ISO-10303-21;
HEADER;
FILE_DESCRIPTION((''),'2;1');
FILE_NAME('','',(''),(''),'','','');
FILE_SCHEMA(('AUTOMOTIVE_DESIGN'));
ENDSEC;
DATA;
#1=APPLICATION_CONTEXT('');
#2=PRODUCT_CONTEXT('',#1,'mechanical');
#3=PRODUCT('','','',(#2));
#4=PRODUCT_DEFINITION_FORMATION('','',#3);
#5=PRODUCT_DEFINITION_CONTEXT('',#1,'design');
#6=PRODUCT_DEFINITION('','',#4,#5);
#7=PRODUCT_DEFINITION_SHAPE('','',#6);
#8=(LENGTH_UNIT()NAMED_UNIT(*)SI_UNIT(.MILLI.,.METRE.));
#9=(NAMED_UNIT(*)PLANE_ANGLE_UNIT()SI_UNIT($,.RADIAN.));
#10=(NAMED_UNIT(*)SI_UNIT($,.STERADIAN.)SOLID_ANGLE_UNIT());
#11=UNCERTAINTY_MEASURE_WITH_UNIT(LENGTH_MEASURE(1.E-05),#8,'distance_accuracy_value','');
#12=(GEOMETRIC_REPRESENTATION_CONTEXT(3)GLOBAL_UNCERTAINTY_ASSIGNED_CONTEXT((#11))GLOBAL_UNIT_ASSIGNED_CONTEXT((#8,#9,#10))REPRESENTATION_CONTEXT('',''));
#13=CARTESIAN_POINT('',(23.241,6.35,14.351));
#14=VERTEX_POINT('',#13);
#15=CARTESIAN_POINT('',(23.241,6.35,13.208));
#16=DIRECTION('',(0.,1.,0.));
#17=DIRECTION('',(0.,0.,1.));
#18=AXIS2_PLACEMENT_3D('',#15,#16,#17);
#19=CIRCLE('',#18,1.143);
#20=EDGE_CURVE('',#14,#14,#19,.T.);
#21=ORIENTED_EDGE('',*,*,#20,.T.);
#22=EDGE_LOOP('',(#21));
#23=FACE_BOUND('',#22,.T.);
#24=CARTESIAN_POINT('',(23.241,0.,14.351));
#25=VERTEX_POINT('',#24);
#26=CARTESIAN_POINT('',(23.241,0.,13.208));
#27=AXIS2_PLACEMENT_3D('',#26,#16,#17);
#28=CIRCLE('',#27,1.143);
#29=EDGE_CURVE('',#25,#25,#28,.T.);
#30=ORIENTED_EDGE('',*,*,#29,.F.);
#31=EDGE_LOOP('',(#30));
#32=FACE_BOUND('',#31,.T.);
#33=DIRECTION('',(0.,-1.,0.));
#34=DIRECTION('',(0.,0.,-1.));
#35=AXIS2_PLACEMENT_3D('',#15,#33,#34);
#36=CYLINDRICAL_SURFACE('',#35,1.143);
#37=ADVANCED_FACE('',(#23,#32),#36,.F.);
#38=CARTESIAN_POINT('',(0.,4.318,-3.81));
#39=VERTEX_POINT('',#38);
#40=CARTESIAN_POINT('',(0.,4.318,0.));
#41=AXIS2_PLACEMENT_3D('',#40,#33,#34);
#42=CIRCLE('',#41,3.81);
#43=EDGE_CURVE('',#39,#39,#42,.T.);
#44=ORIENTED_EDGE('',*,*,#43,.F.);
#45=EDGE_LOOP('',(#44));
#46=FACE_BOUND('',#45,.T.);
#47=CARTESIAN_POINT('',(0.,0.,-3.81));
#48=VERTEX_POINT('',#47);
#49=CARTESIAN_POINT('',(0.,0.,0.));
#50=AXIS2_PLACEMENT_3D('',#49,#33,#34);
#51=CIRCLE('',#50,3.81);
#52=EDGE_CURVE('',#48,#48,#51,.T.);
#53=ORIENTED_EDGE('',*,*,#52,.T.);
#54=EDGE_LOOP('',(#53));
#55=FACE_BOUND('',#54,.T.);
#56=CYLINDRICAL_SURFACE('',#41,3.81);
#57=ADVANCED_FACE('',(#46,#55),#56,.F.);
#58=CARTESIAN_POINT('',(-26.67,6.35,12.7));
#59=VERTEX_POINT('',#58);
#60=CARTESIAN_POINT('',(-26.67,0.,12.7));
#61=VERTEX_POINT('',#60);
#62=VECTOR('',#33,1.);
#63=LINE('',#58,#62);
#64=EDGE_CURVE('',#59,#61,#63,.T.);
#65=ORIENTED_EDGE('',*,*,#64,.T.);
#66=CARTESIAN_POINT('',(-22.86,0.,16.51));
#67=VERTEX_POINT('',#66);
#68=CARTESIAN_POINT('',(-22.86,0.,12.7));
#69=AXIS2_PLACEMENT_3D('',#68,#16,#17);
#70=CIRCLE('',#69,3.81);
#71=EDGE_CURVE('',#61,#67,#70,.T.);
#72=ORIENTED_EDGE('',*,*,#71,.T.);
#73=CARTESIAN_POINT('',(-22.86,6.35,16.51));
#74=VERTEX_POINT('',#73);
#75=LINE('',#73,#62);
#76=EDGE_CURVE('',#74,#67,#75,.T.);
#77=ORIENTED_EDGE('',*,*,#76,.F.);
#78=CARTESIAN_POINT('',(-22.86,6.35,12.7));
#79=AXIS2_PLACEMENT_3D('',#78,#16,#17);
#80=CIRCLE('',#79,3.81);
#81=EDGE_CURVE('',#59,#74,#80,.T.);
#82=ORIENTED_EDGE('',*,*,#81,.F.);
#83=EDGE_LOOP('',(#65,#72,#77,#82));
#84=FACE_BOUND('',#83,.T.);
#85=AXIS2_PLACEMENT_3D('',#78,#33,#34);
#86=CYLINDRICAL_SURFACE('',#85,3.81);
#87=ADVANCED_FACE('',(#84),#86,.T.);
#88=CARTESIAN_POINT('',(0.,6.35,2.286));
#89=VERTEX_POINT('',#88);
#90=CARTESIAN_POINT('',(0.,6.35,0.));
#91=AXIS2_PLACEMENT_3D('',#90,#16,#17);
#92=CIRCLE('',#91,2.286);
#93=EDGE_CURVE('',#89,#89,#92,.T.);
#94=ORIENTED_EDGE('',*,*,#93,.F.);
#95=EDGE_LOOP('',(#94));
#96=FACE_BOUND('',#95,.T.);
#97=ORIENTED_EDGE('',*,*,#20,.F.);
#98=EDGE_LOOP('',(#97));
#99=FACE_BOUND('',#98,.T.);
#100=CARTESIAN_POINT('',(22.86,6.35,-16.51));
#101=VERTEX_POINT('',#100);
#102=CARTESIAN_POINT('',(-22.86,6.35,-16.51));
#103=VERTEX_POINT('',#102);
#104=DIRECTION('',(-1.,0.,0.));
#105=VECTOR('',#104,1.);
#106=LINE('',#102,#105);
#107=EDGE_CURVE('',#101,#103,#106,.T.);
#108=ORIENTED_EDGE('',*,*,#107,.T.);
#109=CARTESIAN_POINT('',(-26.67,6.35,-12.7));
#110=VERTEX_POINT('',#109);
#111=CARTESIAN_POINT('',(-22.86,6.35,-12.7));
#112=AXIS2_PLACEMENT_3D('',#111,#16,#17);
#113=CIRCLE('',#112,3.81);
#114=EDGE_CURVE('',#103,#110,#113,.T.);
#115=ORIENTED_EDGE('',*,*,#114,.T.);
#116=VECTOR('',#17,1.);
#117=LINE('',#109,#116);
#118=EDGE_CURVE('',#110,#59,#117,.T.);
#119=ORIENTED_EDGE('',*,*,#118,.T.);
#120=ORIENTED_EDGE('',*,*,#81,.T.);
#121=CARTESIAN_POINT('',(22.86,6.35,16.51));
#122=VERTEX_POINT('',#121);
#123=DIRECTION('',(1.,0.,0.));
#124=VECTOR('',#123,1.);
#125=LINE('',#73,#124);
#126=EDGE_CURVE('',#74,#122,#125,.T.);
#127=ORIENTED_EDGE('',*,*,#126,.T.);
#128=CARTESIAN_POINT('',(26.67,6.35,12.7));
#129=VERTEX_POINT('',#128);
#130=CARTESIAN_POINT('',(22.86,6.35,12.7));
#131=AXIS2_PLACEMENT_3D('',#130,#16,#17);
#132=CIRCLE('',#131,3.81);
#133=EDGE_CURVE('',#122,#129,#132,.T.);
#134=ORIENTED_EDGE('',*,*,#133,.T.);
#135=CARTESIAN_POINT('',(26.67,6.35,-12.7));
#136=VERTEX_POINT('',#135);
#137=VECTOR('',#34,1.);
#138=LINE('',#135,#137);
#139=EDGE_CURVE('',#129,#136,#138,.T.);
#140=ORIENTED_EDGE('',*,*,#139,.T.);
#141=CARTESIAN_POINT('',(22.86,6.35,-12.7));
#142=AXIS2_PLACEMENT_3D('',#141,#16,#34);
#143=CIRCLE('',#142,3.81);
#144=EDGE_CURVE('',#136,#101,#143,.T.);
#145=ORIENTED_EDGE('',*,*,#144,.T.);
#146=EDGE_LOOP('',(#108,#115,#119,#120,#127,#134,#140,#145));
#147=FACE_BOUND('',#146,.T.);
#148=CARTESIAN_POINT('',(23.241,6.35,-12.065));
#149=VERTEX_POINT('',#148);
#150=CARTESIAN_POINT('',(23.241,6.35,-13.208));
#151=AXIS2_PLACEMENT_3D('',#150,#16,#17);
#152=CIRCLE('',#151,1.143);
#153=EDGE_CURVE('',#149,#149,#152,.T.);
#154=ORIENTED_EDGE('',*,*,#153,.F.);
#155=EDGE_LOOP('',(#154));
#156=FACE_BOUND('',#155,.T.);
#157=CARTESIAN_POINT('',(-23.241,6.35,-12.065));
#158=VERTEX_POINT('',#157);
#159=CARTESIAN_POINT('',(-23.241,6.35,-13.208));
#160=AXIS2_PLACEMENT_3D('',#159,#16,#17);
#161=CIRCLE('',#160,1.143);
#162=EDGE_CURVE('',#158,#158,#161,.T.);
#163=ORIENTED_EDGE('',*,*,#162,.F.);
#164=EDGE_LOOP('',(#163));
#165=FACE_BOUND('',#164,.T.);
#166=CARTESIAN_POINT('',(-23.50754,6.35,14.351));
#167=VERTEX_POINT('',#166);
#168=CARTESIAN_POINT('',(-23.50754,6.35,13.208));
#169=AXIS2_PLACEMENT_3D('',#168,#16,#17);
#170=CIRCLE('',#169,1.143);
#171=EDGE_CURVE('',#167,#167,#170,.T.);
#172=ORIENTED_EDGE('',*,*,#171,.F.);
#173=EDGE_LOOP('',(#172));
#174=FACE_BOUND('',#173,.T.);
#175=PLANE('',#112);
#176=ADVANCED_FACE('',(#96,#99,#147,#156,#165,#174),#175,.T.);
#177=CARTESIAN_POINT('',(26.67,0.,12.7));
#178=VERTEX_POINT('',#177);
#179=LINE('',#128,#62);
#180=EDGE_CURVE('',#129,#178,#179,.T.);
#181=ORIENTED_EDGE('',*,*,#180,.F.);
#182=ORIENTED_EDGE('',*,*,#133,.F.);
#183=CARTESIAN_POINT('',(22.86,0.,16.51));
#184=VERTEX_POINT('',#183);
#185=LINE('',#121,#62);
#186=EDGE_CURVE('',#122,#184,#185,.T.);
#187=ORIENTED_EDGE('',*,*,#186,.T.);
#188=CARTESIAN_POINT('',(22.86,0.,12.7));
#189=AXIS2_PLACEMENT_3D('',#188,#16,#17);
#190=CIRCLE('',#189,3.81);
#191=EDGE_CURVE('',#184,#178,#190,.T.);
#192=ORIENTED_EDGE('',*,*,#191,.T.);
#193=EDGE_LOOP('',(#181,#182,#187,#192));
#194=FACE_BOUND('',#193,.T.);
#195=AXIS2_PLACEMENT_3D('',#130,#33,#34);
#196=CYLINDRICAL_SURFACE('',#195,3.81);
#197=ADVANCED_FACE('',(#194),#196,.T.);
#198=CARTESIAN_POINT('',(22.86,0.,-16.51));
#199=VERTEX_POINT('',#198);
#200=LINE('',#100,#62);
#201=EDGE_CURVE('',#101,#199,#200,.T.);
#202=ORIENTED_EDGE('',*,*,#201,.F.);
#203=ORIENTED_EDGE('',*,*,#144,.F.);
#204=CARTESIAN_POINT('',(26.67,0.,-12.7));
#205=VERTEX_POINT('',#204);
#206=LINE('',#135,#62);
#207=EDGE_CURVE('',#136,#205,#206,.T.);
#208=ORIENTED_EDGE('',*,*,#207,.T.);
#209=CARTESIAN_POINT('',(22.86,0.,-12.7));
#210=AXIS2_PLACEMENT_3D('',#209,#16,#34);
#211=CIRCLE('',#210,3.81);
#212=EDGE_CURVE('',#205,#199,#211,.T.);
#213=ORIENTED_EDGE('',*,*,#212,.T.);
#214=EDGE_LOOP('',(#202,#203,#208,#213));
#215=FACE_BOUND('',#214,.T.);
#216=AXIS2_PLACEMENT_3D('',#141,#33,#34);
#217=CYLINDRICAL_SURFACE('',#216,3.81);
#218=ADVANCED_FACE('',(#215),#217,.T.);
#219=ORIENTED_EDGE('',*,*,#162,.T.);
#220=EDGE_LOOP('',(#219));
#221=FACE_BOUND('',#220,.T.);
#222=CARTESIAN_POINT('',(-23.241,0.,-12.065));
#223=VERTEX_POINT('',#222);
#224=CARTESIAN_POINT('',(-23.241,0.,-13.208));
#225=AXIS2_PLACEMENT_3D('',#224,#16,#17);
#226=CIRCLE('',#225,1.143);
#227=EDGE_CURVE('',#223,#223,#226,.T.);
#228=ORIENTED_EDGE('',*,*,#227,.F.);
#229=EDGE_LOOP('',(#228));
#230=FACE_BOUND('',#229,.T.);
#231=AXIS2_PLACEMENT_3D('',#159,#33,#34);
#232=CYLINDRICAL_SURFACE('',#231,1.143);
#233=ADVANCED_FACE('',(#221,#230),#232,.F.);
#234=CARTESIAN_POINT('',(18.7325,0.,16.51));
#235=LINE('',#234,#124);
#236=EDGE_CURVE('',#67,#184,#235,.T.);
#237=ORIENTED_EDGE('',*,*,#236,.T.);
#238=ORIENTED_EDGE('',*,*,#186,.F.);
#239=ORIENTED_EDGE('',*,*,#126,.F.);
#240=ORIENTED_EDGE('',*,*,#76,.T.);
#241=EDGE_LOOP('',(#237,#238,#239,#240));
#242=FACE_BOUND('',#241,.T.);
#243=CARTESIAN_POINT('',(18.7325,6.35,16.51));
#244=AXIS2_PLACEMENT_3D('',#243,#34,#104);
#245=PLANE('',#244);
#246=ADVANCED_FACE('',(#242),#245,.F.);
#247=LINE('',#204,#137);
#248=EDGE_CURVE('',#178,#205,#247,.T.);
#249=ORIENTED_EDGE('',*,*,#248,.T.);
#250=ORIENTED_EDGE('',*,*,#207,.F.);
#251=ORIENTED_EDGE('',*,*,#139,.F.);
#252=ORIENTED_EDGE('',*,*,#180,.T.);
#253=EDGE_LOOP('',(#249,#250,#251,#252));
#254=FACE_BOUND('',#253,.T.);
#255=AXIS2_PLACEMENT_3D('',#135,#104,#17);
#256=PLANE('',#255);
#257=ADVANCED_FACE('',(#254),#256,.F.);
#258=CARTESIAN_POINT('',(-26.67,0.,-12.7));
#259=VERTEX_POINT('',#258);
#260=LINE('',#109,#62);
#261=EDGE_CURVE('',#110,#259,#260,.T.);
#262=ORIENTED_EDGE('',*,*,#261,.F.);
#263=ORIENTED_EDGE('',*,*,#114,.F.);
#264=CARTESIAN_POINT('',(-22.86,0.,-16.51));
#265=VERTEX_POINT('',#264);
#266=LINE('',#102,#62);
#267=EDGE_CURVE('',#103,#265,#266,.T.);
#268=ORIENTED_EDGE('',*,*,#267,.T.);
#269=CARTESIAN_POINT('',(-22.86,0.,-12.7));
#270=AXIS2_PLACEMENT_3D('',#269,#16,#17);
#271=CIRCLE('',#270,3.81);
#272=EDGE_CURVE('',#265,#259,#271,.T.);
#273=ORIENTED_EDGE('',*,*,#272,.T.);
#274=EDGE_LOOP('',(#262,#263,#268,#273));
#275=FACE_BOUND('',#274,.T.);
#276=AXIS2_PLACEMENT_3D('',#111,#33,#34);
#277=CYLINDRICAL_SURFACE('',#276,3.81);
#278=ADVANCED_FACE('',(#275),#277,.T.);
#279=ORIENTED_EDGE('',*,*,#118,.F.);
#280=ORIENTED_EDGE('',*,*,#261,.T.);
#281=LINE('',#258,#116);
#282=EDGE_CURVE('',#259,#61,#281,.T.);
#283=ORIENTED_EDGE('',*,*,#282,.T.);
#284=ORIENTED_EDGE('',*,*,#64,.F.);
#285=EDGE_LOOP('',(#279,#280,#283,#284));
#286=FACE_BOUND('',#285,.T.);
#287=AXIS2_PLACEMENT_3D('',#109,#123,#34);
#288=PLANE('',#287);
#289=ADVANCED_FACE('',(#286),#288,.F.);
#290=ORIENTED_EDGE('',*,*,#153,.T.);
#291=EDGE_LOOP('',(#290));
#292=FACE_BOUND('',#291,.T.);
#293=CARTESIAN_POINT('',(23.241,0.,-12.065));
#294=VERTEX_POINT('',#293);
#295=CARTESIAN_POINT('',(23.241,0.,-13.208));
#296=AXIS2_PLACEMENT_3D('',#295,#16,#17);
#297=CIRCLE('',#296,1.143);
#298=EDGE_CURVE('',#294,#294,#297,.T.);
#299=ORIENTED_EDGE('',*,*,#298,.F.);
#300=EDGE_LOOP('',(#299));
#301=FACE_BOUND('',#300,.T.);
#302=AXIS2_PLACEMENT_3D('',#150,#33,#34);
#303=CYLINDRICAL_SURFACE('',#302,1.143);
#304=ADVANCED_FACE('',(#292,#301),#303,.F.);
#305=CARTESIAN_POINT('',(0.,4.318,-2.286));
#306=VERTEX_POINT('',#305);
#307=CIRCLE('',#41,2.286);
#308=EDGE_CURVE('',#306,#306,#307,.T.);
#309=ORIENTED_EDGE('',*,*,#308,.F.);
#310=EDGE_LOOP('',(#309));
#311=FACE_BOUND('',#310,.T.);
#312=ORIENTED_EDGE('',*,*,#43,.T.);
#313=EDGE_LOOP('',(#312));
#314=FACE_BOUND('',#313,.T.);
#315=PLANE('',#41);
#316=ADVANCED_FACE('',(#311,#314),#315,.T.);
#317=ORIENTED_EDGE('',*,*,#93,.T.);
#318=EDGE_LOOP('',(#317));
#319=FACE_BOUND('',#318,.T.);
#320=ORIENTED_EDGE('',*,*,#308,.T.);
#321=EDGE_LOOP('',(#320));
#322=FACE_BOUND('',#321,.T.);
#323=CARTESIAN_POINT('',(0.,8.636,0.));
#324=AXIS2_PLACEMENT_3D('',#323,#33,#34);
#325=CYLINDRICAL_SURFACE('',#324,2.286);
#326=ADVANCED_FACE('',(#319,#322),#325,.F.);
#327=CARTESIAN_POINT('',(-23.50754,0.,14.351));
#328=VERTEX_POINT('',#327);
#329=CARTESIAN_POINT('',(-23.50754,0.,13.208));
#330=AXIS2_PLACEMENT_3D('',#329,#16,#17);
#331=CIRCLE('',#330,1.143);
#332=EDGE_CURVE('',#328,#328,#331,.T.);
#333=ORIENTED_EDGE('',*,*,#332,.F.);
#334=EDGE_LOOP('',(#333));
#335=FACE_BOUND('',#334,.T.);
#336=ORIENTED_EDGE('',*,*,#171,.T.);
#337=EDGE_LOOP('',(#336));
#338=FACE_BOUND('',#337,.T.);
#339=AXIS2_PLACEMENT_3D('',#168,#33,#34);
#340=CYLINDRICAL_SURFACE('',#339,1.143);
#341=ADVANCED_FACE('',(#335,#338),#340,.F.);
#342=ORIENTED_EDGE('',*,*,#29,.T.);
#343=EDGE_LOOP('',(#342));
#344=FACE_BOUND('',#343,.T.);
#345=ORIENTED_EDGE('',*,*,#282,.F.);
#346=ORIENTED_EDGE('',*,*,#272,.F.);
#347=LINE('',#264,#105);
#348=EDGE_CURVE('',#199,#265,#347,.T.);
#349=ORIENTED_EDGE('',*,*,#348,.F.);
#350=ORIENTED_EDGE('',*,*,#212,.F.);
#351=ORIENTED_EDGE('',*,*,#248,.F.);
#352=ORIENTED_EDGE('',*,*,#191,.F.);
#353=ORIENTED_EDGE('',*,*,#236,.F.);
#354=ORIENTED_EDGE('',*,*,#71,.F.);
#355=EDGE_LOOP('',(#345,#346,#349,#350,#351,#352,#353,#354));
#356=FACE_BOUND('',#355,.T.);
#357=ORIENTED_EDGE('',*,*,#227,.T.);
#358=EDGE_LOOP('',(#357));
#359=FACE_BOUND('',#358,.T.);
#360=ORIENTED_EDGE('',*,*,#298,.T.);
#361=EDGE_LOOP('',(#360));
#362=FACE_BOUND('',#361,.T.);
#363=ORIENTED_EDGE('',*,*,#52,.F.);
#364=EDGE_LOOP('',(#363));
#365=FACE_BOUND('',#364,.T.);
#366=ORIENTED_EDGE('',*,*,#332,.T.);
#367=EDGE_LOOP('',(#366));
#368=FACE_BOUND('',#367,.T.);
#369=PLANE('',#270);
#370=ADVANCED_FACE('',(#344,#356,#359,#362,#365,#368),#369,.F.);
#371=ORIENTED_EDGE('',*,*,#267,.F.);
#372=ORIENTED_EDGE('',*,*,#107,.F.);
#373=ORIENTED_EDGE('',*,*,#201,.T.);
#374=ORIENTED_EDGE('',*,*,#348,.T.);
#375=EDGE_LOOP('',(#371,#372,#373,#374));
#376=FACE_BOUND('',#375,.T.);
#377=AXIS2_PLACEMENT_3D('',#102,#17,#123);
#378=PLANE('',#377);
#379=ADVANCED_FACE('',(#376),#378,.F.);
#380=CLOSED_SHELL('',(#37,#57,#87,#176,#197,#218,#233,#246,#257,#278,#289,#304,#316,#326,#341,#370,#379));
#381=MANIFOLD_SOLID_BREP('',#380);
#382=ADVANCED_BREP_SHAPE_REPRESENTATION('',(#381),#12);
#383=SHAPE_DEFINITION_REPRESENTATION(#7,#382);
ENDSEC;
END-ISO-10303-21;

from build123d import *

# Parameters (mm, degrees)
SKETCH1_R           = 1.143
BOSS_EXTRUDE1_DEPTH = 6.35
SKETCH2_R           = 3.81
CUT_EXTRUDE1_DEPTH  = 4.318
SKETCH3_R           = 2.286
CUT_EXTRUDE2_DEPTH  = 4.318


with BuildPart() as part:
    # Sketch1 → Boss-Extrude1 (new body)
    with BuildSketch(Plane(origin=(0, 0, 0), x_dir=(1, 0, 0), z_dir=(0, 1, 0))):
        with BuildLine():
            Line((-22.86, 16.51), (22.86, 16.51))
            ThreePointArc((22.86, 16.51), (25.554076836, 15.394076836), (26.67, 12.7))
            Line((26.67, 12.7), (26.67, -12.7))
            ThreePointArc((26.67, -12.7), (25.554076836, -15.394076836), (22.86, -16.51))
            Line((22.86, -16.51), (18.7325, -16.51))
            Line((18.7325, -16.51), (-18.7325, -16.51))
            Line((-18.7325, -16.51), (-22.86, -16.51))
            ThreePointArc((-22.86, -16.51), (-25.554076836, -15.394076836), (-26.67, -12.7))
            Line((-26.67, -12.7), (-26.67, 12.7))
            ThreePointArc((-26.67, 12.7), (-25.554076836, 15.394076836), (-22.86, 16.51))
        make_face()
        with Locations((-23.241, 13.208)):
            Circle(SKETCH1_R, mode=Mode.SUBTRACT)
        with Locations((23.241, 13.208)):
            Circle(SKETCH1_R, mode=Mode.SUBTRACT)
        with Locations((23.241, -13.208)):
            Circle(SKETCH1_R, mode=Mode.SUBTRACT)
        with Locations((-23.50753981, -13.208)):
            Circle(SKETCH1_R, mode=Mode.SUBTRACT)
    extrude(amount=BOSS_EXTRUDE1_DEPTH)

    # Sketch2 → Cut-Extrude1 (cut)
    with BuildSketch(Plane.XZ):
        Circle(SKETCH2_R)
    extrude(amount=-CUT_EXTRUDE1_DEPTH, mode=Mode.SUBTRACT)

    # Sketch3 → Cut-Extrude2 (cut)
    with BuildSketch(Plane(origin=(0, 4.318, 0), x_dir=(-1, 0, 0), z_dir=(0, -1, 0))):
        Circle(SKETCH3_R)
    extrude(amount=-CUT_EXTRUDE2_DEPTH, mode=Mode.SUBTRACT)


solid = part.part
